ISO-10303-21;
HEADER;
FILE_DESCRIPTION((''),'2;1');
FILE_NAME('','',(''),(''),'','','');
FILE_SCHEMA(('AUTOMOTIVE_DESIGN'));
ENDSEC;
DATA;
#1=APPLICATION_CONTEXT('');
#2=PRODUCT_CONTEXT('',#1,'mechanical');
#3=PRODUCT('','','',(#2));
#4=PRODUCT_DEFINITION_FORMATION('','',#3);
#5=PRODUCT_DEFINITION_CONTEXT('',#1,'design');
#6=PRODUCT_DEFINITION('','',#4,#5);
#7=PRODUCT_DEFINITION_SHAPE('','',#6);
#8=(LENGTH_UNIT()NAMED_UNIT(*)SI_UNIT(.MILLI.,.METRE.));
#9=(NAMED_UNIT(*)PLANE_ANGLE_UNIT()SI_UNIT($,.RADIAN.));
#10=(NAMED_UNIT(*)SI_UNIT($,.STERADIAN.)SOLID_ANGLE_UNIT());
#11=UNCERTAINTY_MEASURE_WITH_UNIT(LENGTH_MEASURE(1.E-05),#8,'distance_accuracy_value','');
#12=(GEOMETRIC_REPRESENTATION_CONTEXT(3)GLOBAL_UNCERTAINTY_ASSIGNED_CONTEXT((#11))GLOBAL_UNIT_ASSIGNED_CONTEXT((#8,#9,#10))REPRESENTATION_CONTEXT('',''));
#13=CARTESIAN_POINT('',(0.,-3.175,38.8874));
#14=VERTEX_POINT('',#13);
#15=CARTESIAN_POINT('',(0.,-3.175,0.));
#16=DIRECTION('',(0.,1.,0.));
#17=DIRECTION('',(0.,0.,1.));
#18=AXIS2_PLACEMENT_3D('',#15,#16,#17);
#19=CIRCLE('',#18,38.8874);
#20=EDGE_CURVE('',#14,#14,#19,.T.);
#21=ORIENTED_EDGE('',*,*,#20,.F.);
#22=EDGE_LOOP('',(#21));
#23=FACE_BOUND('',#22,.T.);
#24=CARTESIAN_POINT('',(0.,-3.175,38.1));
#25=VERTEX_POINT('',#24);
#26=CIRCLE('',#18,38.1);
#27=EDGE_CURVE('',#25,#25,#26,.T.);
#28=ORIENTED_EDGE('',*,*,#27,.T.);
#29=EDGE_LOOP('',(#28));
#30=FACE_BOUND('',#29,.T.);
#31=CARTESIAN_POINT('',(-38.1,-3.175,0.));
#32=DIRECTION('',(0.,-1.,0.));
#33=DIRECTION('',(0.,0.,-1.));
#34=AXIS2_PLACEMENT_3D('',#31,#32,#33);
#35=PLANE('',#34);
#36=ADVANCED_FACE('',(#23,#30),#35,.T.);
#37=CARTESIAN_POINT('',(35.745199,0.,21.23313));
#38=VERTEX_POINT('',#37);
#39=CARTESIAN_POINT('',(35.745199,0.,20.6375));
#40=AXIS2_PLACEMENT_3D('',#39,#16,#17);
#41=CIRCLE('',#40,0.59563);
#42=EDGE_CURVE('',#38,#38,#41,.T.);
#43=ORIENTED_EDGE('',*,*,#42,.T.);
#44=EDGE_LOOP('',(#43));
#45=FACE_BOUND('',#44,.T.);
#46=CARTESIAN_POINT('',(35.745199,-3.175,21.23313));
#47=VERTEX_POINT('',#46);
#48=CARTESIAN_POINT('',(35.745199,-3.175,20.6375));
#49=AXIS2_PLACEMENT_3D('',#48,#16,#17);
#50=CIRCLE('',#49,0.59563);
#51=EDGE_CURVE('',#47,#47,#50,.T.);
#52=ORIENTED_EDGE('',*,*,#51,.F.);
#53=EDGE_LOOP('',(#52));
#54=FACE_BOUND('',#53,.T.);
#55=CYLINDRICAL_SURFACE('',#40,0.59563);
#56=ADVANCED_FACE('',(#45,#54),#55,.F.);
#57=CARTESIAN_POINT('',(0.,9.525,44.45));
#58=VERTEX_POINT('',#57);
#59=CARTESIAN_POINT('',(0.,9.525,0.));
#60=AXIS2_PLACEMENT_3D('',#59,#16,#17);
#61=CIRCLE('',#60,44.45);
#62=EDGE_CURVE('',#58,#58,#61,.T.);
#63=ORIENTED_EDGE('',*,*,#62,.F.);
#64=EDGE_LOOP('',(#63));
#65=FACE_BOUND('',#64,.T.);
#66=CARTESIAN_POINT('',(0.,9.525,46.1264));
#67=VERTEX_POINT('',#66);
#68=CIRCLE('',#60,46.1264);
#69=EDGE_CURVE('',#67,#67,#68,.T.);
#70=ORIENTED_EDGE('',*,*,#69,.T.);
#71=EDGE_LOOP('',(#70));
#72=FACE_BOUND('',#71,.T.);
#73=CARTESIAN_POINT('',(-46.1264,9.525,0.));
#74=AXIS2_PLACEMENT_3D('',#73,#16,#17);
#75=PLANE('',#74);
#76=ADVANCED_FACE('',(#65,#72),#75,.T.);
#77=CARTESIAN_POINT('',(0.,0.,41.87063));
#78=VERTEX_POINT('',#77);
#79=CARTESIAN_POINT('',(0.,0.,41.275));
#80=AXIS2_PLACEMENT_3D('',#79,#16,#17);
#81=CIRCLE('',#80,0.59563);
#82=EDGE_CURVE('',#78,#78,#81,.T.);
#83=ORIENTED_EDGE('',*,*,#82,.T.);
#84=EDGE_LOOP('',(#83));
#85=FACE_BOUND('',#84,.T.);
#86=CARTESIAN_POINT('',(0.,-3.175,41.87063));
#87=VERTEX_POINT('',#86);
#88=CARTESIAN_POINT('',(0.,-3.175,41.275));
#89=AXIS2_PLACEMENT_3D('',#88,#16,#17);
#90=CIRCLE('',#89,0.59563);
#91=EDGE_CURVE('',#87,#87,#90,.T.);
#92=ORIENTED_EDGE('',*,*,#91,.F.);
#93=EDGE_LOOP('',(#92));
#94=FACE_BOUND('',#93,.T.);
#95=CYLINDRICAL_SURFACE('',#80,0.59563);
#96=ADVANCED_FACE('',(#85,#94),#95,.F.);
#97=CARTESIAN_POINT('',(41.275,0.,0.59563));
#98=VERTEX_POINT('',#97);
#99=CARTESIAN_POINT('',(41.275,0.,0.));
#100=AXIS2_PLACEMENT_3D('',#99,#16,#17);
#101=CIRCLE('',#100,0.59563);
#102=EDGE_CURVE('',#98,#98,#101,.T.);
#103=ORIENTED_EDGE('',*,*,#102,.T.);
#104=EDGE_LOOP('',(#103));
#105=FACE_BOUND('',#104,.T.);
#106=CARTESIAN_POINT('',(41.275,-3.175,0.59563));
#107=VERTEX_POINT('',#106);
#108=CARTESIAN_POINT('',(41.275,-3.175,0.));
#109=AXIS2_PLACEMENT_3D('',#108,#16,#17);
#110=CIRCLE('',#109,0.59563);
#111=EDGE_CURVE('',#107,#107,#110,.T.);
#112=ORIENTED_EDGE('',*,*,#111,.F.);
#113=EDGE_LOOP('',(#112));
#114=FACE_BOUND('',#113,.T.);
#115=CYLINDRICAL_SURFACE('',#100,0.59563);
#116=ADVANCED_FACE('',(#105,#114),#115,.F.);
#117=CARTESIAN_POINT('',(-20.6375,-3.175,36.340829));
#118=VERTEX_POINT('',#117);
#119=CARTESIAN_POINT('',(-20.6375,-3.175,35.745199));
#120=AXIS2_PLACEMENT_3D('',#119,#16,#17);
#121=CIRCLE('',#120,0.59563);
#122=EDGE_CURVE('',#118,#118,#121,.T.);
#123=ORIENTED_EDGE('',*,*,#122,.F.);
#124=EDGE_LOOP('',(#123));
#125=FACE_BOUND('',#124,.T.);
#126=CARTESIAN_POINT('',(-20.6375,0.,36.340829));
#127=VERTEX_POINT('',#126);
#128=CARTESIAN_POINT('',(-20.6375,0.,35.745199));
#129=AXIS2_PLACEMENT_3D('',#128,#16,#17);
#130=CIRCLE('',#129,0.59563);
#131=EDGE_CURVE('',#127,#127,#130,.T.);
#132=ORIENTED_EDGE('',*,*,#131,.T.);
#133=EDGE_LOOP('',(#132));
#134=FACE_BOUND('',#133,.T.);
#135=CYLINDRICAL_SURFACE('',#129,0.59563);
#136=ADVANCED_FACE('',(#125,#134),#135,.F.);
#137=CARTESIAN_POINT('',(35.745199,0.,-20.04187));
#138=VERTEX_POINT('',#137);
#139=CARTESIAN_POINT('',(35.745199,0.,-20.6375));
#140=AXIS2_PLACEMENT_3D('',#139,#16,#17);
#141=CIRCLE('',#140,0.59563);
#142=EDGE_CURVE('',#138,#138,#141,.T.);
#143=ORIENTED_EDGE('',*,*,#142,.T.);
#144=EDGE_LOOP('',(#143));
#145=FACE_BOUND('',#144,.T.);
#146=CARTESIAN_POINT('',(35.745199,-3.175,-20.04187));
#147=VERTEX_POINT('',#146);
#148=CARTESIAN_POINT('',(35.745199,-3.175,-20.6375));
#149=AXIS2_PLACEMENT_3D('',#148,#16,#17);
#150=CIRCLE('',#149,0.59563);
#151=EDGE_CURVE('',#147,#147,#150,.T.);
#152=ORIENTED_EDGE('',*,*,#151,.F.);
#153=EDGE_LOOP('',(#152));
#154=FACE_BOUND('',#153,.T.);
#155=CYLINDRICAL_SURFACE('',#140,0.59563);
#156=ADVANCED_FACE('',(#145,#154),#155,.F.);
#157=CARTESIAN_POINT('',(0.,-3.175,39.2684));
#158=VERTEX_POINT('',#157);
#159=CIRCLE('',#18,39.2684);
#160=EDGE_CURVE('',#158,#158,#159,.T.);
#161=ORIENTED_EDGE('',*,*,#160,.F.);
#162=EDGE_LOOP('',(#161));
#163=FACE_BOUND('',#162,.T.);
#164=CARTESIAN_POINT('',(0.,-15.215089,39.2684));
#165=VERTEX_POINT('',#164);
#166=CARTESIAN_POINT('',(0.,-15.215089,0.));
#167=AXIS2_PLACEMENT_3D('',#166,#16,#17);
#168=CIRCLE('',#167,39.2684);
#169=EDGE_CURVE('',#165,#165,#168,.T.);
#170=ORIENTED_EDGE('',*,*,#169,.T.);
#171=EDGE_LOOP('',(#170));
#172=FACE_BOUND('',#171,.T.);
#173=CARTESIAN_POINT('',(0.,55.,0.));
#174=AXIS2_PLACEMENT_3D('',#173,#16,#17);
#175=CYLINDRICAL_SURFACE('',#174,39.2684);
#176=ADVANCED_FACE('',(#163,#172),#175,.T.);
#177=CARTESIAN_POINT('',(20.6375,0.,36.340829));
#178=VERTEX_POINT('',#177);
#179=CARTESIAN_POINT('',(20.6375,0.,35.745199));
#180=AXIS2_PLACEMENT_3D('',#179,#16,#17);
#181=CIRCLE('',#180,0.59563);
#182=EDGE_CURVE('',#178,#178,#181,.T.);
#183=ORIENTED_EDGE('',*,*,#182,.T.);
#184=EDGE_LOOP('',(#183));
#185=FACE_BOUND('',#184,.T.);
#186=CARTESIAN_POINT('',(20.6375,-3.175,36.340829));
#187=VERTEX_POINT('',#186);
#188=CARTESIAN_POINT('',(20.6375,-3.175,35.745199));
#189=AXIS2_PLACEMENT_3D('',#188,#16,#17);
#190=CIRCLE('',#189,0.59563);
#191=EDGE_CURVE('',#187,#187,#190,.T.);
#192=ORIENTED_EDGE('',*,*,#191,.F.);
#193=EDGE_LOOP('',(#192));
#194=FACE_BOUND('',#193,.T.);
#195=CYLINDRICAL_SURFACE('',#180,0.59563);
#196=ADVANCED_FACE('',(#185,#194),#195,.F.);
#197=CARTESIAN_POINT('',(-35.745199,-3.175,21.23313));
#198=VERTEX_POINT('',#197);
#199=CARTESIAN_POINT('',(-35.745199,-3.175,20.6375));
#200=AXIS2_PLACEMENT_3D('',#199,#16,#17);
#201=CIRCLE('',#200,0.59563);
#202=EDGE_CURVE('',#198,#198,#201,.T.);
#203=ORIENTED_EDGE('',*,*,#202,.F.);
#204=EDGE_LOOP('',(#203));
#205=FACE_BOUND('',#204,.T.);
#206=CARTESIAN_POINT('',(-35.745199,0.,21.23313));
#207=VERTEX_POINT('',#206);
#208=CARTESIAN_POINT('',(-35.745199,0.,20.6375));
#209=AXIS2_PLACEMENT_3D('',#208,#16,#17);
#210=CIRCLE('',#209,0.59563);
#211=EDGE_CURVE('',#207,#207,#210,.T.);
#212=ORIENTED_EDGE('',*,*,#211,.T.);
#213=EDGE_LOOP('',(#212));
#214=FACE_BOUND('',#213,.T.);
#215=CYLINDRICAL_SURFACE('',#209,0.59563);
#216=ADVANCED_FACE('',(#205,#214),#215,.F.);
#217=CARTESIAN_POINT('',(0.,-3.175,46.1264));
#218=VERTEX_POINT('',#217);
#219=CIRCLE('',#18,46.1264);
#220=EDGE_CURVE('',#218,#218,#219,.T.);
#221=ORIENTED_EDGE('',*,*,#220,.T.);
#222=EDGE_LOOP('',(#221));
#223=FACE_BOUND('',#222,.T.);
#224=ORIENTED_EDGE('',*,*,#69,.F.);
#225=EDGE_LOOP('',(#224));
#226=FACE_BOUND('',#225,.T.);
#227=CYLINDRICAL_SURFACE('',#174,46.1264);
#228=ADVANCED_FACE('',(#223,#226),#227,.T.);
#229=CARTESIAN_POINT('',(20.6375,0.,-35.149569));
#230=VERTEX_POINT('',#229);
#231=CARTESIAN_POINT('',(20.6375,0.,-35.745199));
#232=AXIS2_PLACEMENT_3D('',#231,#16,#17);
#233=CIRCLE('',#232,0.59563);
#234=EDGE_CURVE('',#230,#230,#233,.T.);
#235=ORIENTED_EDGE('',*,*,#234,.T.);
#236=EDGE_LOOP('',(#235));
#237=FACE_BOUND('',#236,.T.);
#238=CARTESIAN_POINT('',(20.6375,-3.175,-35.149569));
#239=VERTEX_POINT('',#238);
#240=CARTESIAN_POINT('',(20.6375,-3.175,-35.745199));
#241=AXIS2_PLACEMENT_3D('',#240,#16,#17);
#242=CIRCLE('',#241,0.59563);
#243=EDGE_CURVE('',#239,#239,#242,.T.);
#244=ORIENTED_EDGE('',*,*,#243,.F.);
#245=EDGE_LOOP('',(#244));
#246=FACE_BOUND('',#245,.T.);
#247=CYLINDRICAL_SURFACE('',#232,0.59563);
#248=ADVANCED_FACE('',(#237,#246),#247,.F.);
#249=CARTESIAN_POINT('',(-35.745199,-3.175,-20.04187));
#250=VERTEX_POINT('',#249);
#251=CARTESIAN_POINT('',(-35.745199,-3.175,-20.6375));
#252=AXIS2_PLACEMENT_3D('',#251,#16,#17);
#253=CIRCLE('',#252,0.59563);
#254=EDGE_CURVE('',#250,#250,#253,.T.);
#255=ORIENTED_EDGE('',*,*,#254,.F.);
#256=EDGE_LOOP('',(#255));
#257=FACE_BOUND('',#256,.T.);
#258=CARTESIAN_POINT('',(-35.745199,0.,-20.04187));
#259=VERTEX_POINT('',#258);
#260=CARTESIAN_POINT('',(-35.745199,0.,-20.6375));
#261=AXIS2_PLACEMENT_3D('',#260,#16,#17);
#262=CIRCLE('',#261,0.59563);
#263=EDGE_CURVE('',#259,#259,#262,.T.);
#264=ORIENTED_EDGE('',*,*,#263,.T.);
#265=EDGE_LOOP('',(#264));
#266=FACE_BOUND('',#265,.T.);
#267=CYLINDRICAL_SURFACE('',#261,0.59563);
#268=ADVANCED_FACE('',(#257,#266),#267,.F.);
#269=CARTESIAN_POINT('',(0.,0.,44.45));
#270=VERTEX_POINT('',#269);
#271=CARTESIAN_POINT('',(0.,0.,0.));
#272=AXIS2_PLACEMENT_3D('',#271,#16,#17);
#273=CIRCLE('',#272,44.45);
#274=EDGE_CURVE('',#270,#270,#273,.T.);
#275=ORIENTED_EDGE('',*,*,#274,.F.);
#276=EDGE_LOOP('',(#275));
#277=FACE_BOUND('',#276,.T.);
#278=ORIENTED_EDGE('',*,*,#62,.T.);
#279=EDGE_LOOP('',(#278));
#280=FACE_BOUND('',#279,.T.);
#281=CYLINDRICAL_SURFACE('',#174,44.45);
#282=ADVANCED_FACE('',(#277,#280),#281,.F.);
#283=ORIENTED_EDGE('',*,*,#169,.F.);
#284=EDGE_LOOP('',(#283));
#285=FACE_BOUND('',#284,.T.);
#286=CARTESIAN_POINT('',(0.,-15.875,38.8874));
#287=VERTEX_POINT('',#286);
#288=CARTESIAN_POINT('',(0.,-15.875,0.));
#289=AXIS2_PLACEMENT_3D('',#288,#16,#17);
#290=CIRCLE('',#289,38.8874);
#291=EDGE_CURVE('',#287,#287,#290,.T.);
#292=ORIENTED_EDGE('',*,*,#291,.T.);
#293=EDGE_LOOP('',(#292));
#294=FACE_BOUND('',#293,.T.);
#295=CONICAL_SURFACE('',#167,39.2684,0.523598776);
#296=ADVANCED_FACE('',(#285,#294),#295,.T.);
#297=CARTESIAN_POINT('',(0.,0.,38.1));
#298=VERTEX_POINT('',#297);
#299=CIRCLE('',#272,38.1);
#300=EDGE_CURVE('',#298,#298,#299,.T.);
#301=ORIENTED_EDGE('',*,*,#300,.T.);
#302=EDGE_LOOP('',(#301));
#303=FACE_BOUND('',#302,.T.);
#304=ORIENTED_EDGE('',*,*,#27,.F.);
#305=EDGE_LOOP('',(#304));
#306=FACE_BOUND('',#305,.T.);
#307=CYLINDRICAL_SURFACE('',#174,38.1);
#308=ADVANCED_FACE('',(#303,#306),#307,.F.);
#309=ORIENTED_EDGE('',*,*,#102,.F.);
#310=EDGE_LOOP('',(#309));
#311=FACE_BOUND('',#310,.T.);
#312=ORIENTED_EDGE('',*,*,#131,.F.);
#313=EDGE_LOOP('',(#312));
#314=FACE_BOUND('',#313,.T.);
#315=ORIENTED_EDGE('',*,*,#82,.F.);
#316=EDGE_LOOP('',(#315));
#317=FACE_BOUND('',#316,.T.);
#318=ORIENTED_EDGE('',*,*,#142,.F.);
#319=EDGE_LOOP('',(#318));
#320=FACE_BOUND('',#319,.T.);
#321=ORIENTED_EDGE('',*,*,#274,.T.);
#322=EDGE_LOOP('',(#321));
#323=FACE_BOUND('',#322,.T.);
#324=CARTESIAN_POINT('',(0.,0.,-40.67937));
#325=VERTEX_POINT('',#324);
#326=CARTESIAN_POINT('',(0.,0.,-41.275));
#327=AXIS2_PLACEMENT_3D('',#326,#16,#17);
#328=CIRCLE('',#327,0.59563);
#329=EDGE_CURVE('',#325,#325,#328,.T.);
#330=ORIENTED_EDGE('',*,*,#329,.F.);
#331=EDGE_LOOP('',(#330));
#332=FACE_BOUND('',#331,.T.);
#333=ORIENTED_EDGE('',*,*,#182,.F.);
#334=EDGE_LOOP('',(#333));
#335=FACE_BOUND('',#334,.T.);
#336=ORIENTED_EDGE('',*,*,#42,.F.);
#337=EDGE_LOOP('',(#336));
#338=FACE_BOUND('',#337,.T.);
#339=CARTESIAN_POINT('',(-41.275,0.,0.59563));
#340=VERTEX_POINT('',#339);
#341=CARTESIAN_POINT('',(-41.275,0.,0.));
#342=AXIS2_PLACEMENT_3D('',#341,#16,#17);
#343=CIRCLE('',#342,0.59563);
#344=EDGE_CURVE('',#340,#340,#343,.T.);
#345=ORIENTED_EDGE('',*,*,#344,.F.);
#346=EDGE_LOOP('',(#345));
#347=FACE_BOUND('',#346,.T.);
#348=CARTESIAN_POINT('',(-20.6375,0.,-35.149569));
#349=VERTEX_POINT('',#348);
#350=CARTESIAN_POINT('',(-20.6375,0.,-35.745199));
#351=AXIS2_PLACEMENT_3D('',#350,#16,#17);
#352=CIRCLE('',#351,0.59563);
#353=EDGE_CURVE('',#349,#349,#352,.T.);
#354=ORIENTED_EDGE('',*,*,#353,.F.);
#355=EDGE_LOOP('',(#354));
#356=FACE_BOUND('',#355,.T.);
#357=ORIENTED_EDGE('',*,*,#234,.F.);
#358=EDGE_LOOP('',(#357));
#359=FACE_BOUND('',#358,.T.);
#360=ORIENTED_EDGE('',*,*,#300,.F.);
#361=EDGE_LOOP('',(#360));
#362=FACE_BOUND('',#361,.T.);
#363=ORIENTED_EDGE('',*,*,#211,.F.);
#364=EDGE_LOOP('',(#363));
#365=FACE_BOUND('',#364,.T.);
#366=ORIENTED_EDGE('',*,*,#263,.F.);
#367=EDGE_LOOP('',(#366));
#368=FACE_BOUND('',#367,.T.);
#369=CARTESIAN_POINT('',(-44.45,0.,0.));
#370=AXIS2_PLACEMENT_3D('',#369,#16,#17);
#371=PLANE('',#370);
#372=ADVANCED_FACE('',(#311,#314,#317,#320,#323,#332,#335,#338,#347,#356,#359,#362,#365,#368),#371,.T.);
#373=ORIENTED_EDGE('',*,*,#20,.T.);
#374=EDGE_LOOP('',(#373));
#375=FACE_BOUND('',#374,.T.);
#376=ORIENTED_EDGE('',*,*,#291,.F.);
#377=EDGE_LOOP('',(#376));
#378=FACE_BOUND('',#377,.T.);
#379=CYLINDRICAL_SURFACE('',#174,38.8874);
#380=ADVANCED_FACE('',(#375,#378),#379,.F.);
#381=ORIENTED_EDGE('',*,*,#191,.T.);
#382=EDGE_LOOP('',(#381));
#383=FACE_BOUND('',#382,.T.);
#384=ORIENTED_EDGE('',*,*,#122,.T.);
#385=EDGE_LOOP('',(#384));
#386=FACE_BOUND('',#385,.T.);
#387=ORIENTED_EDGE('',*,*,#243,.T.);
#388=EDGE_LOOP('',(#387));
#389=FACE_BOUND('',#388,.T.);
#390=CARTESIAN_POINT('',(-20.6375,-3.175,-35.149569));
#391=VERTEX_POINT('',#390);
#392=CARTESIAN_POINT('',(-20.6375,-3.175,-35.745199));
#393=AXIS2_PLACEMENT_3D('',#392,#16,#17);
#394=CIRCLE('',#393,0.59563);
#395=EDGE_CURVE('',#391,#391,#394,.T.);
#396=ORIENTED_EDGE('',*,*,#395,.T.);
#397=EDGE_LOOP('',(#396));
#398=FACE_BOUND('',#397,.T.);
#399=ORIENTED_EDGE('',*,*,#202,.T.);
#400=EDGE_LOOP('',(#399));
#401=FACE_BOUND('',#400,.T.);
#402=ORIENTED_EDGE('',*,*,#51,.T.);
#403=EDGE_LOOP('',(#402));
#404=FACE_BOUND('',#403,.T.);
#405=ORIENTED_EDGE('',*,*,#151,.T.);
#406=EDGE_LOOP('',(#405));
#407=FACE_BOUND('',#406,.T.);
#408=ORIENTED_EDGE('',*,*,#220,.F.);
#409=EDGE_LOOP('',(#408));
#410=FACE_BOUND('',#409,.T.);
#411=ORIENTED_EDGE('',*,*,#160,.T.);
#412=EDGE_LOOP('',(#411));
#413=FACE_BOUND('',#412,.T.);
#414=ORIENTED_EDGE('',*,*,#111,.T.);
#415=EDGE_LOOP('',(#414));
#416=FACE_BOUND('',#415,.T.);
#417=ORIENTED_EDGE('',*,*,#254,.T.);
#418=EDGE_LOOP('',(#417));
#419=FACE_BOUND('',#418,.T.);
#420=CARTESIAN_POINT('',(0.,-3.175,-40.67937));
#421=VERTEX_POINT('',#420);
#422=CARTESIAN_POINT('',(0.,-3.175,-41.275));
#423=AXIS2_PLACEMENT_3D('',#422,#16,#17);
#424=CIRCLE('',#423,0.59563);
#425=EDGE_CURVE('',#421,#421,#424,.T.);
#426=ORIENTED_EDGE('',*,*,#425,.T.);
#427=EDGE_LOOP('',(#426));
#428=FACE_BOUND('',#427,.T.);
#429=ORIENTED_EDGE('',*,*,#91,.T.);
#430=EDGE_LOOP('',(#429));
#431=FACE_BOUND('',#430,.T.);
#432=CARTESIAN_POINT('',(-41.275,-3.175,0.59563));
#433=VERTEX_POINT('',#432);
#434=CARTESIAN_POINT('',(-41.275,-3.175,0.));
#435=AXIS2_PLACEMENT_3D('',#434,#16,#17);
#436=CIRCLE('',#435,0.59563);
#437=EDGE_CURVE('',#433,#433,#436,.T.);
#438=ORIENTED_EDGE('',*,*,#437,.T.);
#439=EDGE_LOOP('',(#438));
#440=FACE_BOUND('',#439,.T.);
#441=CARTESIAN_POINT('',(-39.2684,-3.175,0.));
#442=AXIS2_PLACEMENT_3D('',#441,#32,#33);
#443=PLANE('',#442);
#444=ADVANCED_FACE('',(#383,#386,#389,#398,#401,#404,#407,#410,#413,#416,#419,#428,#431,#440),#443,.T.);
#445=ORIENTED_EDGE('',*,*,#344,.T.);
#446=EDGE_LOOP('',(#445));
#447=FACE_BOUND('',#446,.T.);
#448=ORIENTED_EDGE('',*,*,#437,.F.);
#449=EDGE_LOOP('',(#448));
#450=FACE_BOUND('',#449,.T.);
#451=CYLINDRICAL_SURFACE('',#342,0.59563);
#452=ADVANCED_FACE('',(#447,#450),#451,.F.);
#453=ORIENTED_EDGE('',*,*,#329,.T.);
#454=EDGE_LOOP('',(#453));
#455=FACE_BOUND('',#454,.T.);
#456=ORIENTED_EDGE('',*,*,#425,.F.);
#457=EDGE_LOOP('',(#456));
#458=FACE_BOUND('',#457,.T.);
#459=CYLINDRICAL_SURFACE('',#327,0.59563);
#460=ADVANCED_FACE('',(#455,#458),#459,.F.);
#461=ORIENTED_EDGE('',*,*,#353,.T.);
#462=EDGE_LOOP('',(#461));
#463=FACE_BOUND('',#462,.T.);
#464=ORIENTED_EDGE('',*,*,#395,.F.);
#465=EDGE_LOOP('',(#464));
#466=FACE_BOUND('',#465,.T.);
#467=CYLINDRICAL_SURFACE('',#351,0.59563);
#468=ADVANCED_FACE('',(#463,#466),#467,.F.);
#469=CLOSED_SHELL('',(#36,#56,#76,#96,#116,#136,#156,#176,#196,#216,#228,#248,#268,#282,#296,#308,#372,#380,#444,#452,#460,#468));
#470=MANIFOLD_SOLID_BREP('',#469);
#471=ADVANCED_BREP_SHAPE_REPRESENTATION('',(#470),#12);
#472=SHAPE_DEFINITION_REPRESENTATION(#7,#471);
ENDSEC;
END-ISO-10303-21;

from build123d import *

# Parameters (mm, degrees)
SCREW_HOLES_COUNT = 12


with BuildPart() as part:
    # Cross Section → Main (revolve)
    with BuildSketch(Plane.XY):
        Polygon((-38.1, 0), (-38.1, -3.175), (-38.8874, -3.175), (-38.8874, -15.875), (-39.2684, -15.215088642), (-39.2684, -3.175), (-46.1264, -3.175), (-46.1264, 9.525), (-44.45, 9.525), (-44.45, 0), align=None)
    revolve(axis=Axis((0, 55, 0), (0, -1, 0)))

    # Sketch7 → #0-80 Tapped Hole1 (revolve, cut)
    with BuildSketch(Plane(origin=(-41.275, 0, 0), x_dir=(0, 0, 1), z_dir=(1, 0, 0))):
        Polygon((0, 0), (0, 3.532890611), (0.59563, 3.175), (0.59563, 0), align=None)
    f_0_80_tapped_hole1 = revolve(axis=Axis((-41.275, 6.35, 0), (0, -1, 0)), mode=Mode.SUBTRACT)

    # Screw Holes: #0-80 Tapped Hole1 ×12 about axis
    screw_holes_axis = Axis((0, 0, 0), (0, 1, 0))
    for i in range(1, SCREW_HOLES_COUNT):
        add(f_0_80_tapped_hole1.rotate(screw_holes_axis, i * 360 / SCREW_HOLES_COUNT), mode=Mode.SUBTRACT)


solid = part.part
